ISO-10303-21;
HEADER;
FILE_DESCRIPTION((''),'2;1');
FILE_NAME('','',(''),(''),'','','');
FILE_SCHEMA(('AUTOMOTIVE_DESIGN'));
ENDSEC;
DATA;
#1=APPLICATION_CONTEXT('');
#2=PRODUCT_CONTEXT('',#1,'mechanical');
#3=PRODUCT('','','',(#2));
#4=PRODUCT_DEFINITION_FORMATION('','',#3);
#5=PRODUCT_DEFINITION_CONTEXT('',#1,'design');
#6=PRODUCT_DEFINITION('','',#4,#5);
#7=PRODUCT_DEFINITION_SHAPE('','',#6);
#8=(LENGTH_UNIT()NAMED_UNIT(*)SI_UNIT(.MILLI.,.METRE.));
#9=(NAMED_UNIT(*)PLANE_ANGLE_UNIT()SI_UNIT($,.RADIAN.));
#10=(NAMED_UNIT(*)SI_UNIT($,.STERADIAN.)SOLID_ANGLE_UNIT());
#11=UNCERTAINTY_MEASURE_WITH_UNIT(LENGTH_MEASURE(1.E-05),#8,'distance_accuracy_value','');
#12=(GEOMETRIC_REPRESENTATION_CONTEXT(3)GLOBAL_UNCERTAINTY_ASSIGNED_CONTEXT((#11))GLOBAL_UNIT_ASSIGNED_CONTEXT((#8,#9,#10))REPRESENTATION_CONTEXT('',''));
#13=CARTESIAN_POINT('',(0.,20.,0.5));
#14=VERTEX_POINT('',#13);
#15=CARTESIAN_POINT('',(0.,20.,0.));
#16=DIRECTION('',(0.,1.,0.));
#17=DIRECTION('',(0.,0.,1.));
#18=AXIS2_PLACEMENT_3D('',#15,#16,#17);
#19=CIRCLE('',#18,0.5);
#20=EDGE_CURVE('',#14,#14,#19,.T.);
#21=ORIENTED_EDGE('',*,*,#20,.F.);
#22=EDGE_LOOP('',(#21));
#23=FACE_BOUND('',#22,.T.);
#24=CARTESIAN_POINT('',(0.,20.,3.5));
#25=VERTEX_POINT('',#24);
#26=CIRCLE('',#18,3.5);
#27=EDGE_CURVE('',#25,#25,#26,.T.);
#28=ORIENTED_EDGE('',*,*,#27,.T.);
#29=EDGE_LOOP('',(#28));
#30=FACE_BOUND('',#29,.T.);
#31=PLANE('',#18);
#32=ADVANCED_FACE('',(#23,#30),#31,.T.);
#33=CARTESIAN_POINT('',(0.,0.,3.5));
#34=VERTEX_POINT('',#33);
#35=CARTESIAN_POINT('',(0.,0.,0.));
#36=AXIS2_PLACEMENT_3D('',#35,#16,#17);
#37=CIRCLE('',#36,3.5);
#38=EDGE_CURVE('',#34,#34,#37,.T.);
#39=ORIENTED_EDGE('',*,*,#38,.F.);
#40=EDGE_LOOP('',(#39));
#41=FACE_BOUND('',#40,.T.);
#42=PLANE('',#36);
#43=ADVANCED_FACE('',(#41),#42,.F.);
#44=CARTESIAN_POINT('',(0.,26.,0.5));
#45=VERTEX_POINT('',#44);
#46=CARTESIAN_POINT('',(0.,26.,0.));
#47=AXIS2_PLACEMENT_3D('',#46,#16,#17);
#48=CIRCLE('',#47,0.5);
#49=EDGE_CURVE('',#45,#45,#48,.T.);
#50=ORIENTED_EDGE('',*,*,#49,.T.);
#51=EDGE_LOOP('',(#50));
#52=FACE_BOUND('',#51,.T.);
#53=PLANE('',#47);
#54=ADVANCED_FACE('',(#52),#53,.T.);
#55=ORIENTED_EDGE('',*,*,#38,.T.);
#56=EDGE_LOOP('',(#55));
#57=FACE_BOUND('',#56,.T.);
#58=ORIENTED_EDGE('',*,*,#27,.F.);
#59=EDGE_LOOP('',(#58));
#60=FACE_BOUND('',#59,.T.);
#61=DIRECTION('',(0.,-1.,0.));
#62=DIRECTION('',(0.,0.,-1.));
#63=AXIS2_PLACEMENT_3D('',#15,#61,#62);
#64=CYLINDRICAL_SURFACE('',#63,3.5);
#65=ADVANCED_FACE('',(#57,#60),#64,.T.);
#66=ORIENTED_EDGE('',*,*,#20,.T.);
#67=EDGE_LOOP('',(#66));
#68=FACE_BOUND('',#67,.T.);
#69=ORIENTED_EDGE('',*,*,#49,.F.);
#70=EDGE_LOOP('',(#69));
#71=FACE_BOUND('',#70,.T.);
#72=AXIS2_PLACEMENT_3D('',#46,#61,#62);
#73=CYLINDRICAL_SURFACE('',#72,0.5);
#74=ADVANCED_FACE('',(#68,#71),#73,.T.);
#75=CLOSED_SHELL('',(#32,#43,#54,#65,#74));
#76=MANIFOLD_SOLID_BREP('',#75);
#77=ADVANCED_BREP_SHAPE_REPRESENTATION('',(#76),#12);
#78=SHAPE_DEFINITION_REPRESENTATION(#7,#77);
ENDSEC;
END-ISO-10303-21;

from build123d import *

# Parameters (mm, degrees)
SKETCH_1_R      = 3.5
EXTRUDE_1_DEPTH = 20
SKETCH_2_R      = 0.5
EXTRUDE_2_DEPTH = 6


with BuildPart() as part:
    # 草图1 → 凸台-拉伸1 (new body)
    with BuildSketch(Plane(origin=(0, 0, 0), x_dir=(1, 0, 0), z_dir=(0, 1, 0))):
        with Locations(Location((0, 0, 0), (0, 0, 270))):
            Circle(SKETCH_1_R)
    extrude(amount=EXTRUDE_1_DEPTH)

    # 草图2 → 凸台-拉伸2 (add)
    with BuildSketch(Plane(origin=(0, 20, 0), x_dir=(1, 0, 0), z_dir=(0, 1, 0))):
        with Locations(Location((0, 0, 0), (0, 0, 270))):
            Circle(SKETCH_2_R)
    extrude(amount=EXTRUDE_2_DEPTH)


solid = part.part
